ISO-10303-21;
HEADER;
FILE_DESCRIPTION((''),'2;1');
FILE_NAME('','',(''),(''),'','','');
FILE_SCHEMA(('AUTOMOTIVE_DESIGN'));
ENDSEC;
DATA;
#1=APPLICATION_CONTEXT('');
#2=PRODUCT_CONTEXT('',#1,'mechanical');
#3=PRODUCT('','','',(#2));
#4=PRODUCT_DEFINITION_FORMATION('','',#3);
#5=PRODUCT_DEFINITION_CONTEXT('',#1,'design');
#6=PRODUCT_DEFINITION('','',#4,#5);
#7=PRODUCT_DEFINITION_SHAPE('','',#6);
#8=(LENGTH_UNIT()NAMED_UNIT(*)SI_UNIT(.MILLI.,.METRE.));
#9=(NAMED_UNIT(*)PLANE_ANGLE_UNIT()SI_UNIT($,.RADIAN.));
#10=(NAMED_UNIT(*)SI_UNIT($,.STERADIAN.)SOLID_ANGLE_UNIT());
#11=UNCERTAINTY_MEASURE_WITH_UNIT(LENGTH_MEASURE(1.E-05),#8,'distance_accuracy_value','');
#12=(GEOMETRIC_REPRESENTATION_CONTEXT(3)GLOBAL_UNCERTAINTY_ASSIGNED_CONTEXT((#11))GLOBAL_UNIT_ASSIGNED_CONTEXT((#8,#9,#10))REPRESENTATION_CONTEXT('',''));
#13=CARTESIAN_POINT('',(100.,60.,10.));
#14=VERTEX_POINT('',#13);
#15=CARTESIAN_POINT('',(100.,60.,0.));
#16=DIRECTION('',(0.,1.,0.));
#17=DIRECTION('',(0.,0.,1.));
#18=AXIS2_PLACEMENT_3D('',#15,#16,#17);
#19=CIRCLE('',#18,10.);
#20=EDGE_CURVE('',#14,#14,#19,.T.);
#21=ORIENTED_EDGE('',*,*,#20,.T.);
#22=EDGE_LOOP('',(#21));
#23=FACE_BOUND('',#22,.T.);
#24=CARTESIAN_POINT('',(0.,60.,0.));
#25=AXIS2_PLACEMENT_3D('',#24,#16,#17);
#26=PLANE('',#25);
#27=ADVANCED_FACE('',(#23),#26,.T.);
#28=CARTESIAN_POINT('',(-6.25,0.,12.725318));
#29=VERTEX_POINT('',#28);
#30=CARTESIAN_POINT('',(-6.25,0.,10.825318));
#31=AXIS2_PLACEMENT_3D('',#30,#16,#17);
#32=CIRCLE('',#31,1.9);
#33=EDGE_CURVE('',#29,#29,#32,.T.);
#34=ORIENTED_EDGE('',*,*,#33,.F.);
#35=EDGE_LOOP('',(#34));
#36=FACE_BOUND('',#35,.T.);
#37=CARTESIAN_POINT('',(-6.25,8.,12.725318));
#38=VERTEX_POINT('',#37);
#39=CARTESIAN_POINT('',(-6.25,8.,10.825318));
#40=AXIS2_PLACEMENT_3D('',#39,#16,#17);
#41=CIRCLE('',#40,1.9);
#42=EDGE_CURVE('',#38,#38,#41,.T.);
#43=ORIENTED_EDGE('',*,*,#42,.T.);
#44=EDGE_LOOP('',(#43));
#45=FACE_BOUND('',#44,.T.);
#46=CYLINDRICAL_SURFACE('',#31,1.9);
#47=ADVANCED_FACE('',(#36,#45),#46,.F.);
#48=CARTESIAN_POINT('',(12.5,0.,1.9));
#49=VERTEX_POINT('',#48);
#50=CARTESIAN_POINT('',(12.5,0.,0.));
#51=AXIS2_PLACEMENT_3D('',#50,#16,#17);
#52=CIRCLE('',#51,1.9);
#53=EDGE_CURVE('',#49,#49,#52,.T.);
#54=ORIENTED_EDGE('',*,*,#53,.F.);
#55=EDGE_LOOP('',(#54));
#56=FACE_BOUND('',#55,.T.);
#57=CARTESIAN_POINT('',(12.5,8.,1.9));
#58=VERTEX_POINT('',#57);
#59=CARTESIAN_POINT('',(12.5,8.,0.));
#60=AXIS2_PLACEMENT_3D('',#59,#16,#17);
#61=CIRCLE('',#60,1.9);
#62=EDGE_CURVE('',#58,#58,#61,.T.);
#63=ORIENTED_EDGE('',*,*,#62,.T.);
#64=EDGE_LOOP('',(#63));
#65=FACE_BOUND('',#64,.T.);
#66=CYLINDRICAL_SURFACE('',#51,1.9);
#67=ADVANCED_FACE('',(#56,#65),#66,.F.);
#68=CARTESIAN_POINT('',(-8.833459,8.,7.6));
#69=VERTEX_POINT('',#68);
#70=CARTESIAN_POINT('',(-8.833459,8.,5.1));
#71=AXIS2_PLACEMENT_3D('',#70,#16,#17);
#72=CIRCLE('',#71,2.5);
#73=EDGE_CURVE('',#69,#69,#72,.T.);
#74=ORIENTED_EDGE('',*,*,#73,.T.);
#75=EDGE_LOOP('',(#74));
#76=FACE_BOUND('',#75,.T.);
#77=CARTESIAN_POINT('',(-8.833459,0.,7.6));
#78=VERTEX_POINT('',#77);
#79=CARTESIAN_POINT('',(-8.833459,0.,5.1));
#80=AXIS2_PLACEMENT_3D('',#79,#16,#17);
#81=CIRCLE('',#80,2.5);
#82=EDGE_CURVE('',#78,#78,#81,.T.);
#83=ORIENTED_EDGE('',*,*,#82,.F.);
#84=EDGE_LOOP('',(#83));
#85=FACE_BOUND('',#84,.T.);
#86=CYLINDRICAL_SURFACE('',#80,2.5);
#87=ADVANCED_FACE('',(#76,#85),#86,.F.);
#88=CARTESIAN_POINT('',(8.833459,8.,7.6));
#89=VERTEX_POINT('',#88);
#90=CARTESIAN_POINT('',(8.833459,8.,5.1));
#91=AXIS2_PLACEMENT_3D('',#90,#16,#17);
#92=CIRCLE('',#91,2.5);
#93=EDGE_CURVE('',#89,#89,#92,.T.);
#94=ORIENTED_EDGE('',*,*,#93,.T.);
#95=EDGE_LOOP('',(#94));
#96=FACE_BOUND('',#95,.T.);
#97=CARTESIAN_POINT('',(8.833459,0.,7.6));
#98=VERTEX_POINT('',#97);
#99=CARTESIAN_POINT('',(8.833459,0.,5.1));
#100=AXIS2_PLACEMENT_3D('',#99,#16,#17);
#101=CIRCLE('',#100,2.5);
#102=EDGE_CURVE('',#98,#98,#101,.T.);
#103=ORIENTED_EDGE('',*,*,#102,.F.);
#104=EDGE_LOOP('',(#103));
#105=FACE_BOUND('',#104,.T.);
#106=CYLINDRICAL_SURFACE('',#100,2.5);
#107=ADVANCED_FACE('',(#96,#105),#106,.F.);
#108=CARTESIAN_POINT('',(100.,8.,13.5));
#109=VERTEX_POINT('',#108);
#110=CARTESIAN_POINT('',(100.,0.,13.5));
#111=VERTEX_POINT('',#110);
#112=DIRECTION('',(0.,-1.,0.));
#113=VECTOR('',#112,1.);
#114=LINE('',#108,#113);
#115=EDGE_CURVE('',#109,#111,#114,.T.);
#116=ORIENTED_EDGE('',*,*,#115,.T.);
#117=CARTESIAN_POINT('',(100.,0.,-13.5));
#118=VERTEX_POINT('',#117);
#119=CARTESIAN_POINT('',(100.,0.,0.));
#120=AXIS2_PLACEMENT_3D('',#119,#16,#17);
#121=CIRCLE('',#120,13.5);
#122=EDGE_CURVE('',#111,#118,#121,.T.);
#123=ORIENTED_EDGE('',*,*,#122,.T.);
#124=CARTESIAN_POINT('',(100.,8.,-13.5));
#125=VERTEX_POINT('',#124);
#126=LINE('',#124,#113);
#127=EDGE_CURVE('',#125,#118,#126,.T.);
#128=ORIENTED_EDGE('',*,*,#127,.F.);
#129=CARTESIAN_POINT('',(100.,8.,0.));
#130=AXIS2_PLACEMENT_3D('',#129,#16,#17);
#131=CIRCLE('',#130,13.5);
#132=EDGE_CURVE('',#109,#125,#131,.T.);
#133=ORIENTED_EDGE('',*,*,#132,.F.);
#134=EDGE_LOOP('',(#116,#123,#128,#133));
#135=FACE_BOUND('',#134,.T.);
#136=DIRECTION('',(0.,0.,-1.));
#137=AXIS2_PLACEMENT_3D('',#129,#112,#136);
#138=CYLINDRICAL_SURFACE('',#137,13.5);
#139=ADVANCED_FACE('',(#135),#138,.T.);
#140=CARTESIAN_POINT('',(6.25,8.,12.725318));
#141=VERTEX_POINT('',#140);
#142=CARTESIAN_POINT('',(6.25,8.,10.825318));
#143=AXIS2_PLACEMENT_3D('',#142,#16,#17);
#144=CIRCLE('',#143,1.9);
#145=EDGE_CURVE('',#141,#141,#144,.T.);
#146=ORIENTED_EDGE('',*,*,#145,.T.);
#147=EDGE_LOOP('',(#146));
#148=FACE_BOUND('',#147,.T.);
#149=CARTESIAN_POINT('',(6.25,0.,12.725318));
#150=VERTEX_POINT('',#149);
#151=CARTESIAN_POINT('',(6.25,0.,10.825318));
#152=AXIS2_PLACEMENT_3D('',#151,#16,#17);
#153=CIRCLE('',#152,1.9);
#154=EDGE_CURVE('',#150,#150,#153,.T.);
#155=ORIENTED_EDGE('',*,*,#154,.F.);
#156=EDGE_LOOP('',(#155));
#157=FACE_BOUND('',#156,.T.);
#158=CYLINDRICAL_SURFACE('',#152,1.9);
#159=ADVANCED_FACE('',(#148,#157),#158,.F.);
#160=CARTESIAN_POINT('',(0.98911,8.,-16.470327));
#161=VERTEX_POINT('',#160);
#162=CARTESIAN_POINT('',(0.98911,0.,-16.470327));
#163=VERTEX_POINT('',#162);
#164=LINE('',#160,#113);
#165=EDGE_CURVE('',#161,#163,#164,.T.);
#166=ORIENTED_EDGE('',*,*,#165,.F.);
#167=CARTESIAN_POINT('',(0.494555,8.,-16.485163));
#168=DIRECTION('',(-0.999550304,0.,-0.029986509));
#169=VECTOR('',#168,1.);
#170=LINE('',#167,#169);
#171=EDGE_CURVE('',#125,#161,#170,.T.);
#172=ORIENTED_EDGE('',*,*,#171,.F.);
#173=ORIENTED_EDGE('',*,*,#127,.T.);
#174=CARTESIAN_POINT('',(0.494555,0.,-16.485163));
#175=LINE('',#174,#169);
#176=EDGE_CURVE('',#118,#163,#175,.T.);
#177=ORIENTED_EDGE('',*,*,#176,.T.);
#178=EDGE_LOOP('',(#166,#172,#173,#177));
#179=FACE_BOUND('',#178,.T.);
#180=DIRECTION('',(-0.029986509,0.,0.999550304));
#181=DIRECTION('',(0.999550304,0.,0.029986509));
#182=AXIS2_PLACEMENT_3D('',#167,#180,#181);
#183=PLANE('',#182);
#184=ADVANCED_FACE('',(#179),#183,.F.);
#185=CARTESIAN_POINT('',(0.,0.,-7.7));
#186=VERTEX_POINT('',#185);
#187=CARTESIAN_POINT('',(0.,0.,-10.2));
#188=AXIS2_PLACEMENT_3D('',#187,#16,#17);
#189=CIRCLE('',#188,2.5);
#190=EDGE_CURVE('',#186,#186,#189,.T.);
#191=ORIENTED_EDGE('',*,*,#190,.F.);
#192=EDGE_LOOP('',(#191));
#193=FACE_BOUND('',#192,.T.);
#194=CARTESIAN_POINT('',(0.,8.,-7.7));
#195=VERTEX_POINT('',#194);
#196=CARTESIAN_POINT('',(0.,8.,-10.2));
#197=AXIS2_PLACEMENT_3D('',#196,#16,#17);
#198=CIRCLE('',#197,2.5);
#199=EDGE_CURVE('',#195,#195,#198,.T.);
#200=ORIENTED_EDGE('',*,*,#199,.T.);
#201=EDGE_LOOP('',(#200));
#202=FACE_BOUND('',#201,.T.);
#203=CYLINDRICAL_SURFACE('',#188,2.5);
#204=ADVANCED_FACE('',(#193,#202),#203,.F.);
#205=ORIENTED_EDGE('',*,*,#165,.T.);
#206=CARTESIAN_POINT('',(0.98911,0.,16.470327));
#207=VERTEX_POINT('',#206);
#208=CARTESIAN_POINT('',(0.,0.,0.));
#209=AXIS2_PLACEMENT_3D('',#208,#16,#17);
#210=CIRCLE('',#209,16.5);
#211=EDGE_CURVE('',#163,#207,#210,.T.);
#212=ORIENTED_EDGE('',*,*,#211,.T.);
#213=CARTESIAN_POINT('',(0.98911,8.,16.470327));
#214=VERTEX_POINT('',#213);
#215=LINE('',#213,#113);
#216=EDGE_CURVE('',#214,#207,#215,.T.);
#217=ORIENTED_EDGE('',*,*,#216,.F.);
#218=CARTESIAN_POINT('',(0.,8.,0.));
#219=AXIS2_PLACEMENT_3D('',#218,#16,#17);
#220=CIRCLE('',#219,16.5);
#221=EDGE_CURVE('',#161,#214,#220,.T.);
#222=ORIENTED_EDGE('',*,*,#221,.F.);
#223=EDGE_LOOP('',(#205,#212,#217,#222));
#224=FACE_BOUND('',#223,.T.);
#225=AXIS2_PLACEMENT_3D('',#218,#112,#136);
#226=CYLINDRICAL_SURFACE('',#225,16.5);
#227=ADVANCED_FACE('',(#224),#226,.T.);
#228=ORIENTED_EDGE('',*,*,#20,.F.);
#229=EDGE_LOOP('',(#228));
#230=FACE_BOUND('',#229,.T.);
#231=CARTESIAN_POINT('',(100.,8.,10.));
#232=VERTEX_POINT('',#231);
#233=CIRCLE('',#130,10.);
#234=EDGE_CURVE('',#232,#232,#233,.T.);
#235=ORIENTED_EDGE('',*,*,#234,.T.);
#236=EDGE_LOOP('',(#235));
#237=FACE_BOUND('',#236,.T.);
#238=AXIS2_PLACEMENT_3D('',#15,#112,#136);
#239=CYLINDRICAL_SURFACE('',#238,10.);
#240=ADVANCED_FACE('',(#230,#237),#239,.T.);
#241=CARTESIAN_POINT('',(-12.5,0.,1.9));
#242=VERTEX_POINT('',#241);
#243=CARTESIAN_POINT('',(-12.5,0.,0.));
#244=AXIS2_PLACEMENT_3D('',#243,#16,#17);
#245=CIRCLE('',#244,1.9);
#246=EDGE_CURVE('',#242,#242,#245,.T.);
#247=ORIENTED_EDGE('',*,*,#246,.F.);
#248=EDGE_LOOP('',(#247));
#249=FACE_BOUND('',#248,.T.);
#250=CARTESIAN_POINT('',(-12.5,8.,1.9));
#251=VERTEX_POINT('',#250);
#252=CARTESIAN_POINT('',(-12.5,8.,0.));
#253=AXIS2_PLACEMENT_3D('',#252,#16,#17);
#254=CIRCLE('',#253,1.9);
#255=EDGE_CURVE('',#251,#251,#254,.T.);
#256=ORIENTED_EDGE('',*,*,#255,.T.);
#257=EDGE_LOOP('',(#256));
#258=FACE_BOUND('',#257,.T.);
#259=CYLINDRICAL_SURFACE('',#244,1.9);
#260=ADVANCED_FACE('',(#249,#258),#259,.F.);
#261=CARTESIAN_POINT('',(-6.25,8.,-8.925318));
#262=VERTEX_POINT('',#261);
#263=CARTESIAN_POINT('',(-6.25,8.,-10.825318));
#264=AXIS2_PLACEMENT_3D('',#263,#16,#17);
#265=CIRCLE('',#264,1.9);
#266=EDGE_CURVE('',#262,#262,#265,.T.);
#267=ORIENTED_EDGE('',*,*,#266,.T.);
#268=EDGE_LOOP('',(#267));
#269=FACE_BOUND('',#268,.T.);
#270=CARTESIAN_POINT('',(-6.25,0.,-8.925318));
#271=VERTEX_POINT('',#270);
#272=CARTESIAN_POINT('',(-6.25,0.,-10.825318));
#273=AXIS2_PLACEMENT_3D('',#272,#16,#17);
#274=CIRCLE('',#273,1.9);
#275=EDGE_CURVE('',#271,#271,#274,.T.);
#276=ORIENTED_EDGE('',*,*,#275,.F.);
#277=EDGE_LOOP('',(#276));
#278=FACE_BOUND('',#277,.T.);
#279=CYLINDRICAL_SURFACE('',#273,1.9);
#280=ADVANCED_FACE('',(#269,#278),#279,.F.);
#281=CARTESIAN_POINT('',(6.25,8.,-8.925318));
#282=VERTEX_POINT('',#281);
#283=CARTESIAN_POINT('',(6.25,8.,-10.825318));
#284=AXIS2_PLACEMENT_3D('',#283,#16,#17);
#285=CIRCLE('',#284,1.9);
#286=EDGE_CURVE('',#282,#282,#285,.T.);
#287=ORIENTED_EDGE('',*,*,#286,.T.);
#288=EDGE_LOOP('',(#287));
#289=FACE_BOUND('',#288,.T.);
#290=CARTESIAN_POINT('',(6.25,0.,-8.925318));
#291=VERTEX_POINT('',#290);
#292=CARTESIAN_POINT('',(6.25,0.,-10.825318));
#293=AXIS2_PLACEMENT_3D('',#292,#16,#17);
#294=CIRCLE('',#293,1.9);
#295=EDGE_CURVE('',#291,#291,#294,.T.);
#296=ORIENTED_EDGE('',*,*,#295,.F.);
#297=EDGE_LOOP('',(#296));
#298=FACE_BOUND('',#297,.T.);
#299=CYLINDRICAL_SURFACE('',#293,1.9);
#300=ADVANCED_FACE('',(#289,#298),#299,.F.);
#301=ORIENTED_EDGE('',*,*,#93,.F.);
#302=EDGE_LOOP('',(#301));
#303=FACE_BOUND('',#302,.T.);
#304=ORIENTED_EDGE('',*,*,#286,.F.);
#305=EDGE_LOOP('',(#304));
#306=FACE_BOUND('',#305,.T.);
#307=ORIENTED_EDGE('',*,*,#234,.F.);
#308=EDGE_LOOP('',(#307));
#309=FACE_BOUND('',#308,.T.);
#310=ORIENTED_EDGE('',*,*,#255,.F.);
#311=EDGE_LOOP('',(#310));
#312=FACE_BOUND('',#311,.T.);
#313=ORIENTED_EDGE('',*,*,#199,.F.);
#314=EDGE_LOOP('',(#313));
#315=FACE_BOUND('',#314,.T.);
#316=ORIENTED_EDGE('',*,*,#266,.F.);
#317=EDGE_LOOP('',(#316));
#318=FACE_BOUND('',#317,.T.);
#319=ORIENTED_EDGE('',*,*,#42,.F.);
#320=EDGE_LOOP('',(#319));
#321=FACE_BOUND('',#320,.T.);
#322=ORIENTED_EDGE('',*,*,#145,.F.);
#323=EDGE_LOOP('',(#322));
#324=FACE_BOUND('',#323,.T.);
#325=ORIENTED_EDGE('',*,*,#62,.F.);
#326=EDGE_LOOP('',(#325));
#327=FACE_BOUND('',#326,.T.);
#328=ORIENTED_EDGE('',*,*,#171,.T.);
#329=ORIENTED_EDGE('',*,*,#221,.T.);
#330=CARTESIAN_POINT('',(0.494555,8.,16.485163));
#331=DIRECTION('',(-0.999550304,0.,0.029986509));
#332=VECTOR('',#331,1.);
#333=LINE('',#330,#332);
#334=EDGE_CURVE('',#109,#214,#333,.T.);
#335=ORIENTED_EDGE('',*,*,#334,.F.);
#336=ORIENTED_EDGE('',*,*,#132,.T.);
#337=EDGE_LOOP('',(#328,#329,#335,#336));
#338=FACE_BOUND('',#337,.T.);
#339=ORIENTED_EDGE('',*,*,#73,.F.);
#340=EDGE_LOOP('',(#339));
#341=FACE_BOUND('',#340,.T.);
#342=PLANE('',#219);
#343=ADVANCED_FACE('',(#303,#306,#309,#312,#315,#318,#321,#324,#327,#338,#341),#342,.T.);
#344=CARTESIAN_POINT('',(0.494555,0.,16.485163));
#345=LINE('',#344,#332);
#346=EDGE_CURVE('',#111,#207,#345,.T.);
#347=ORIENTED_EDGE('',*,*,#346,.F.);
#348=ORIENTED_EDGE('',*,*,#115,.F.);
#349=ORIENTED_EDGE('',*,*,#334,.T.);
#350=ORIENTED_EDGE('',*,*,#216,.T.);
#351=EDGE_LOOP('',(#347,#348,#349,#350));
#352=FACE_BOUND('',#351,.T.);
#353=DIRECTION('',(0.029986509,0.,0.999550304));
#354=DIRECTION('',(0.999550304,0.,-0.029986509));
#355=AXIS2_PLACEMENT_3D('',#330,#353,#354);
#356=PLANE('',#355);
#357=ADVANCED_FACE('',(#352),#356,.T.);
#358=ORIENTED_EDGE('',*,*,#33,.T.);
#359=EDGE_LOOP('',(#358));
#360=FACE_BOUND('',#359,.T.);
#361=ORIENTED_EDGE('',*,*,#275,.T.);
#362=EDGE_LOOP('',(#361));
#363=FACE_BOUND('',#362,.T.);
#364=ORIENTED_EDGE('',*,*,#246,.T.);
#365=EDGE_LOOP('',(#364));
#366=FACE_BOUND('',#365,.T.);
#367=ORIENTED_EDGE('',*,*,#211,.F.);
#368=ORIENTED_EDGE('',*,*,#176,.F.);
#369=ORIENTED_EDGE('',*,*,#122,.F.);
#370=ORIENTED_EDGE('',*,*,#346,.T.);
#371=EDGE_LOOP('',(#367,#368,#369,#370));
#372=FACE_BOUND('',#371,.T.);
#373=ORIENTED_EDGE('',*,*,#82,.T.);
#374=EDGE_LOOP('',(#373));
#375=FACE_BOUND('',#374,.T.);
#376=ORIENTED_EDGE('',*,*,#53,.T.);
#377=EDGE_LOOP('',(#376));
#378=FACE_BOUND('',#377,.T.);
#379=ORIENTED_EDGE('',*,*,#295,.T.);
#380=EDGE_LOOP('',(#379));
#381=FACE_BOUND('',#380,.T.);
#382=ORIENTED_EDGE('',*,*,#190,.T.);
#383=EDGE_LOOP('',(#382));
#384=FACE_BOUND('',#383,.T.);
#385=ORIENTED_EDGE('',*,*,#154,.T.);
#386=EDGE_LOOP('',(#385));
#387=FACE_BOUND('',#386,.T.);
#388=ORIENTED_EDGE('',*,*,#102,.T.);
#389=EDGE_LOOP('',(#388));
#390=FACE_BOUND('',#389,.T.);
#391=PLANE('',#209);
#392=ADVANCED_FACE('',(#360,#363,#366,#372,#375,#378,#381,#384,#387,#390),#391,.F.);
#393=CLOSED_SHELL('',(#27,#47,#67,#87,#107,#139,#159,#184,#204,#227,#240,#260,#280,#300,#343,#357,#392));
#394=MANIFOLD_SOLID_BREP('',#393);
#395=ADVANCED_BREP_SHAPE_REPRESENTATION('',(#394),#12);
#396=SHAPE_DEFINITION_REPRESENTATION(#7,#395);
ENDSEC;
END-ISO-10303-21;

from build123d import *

# Parameters (mm, degrees)
SKETCH_1_R               = 16.5
EXTRUDE_1_DEPTH          = 8
CUT_EXTRUDE_1_DEPTH      = 25.667792767
CUT_EXTRUDE_1_DEPTH_BACK = 25.667792767
SKETCH_4_R               = 2.5
SKETCH_4_R_2             = 1.9
SKETCH_1_3_R             = 10
EXTRUDE_2_DEPTH          = 8
EXTRUDE_3_DEPTH          = 60


with BuildPart() as part:
    # 草图1 → 凸台-拉伸1 (new body)
    with BuildSketch(Plane(origin=(0, 0, 0), x_dir=(1, 0, 0), z_dir=(0, 1, 0))):
        Circle(SKETCH_1_R)
    extrude(amount=EXTRUDE_1_DEPTH)

    # 草图4 → 切除-拉伸1 (cut, two sides: drawn at the far end of the back side and taken through both)
    with BuildSketch(Plane(origin=(0, 8, 0), x_dir=(1, 0, 0), z_dir=(0, 1, 0)).offset(-CUT_EXTRUDE_1_DEPTH_BACK)):
        with Locations((0, 10.2)):
            Circle(SKETCH_4_R)
        with Locations((-6.25, 10.825317547)):
            Circle(SKETCH_4_R_2)
        with Locations((6.25, 10.825317547)):
            Circle(SKETCH_4_R_2)
        with Locations((12.5, 0)):
            Circle(SKETCH_4_R_2)
        with Locations((6.25, -10.825317547)):
            Circle(SKETCH_4_R_2)
        with Locations((-6.25, -10.825317547)):
            Circle(SKETCH_4_R_2)
        with Locations((-12.5, 0)):
            Circle(SKETCH_4_R_2)
        with Locations((8.833459119, -5.1)):
            Circle(SKETCH_4_R)
        with Locations((-8.833459119, -5.1)):
            Circle(SKETCH_4_R)
    extrude(amount=CUT_EXTRUDE_1_DEPTH + CUT_EXTRUDE_1_DEPTH_BACK, mode=Mode.SUBTRACT)

    # 草图1<3> → 凸台-拉伸2 (add)
    with BuildSketch(Plane(origin=(0, 0, 0), x_dir=(1, 0, 0), z_dir=(0, 1, 0))):
        with BuildLine():
            ThreePointArc((0.989109801, 16.470326706), (16.5, 0), (0.989109801, -16.470326706))
            Line((0.989109801, -16.470326706), (100, -13.5))
            ThreePointArc((100, -13.5), (113.5, 0), (100, 13.5))
            Line((100, 13.5), (0.989109801, 16.470326706))
        make_face()
        with Locations((100, 0)):
            Circle(SKETCH_1_3_R, mode=Mode.SUBTRACT)
    extrude(amount=EXTRUDE_2_DEPTH)

    # 草图1<4> → 凸台-拉伸3 (add)
    with BuildSketch(Plane(origin=(0, 0, 0), x_dir=(1, 0, 0), z_dir=(0, 1, 0))):
        with BuildLine():
            ThreePointArc((110, 0), (100, 10), (90, 0))
            ThreePointArc((90, 0), (100, -10), (110, 0))
        make_face()
    extrude(amount=EXTRUDE_3_DEPTH)


solid = part.part
